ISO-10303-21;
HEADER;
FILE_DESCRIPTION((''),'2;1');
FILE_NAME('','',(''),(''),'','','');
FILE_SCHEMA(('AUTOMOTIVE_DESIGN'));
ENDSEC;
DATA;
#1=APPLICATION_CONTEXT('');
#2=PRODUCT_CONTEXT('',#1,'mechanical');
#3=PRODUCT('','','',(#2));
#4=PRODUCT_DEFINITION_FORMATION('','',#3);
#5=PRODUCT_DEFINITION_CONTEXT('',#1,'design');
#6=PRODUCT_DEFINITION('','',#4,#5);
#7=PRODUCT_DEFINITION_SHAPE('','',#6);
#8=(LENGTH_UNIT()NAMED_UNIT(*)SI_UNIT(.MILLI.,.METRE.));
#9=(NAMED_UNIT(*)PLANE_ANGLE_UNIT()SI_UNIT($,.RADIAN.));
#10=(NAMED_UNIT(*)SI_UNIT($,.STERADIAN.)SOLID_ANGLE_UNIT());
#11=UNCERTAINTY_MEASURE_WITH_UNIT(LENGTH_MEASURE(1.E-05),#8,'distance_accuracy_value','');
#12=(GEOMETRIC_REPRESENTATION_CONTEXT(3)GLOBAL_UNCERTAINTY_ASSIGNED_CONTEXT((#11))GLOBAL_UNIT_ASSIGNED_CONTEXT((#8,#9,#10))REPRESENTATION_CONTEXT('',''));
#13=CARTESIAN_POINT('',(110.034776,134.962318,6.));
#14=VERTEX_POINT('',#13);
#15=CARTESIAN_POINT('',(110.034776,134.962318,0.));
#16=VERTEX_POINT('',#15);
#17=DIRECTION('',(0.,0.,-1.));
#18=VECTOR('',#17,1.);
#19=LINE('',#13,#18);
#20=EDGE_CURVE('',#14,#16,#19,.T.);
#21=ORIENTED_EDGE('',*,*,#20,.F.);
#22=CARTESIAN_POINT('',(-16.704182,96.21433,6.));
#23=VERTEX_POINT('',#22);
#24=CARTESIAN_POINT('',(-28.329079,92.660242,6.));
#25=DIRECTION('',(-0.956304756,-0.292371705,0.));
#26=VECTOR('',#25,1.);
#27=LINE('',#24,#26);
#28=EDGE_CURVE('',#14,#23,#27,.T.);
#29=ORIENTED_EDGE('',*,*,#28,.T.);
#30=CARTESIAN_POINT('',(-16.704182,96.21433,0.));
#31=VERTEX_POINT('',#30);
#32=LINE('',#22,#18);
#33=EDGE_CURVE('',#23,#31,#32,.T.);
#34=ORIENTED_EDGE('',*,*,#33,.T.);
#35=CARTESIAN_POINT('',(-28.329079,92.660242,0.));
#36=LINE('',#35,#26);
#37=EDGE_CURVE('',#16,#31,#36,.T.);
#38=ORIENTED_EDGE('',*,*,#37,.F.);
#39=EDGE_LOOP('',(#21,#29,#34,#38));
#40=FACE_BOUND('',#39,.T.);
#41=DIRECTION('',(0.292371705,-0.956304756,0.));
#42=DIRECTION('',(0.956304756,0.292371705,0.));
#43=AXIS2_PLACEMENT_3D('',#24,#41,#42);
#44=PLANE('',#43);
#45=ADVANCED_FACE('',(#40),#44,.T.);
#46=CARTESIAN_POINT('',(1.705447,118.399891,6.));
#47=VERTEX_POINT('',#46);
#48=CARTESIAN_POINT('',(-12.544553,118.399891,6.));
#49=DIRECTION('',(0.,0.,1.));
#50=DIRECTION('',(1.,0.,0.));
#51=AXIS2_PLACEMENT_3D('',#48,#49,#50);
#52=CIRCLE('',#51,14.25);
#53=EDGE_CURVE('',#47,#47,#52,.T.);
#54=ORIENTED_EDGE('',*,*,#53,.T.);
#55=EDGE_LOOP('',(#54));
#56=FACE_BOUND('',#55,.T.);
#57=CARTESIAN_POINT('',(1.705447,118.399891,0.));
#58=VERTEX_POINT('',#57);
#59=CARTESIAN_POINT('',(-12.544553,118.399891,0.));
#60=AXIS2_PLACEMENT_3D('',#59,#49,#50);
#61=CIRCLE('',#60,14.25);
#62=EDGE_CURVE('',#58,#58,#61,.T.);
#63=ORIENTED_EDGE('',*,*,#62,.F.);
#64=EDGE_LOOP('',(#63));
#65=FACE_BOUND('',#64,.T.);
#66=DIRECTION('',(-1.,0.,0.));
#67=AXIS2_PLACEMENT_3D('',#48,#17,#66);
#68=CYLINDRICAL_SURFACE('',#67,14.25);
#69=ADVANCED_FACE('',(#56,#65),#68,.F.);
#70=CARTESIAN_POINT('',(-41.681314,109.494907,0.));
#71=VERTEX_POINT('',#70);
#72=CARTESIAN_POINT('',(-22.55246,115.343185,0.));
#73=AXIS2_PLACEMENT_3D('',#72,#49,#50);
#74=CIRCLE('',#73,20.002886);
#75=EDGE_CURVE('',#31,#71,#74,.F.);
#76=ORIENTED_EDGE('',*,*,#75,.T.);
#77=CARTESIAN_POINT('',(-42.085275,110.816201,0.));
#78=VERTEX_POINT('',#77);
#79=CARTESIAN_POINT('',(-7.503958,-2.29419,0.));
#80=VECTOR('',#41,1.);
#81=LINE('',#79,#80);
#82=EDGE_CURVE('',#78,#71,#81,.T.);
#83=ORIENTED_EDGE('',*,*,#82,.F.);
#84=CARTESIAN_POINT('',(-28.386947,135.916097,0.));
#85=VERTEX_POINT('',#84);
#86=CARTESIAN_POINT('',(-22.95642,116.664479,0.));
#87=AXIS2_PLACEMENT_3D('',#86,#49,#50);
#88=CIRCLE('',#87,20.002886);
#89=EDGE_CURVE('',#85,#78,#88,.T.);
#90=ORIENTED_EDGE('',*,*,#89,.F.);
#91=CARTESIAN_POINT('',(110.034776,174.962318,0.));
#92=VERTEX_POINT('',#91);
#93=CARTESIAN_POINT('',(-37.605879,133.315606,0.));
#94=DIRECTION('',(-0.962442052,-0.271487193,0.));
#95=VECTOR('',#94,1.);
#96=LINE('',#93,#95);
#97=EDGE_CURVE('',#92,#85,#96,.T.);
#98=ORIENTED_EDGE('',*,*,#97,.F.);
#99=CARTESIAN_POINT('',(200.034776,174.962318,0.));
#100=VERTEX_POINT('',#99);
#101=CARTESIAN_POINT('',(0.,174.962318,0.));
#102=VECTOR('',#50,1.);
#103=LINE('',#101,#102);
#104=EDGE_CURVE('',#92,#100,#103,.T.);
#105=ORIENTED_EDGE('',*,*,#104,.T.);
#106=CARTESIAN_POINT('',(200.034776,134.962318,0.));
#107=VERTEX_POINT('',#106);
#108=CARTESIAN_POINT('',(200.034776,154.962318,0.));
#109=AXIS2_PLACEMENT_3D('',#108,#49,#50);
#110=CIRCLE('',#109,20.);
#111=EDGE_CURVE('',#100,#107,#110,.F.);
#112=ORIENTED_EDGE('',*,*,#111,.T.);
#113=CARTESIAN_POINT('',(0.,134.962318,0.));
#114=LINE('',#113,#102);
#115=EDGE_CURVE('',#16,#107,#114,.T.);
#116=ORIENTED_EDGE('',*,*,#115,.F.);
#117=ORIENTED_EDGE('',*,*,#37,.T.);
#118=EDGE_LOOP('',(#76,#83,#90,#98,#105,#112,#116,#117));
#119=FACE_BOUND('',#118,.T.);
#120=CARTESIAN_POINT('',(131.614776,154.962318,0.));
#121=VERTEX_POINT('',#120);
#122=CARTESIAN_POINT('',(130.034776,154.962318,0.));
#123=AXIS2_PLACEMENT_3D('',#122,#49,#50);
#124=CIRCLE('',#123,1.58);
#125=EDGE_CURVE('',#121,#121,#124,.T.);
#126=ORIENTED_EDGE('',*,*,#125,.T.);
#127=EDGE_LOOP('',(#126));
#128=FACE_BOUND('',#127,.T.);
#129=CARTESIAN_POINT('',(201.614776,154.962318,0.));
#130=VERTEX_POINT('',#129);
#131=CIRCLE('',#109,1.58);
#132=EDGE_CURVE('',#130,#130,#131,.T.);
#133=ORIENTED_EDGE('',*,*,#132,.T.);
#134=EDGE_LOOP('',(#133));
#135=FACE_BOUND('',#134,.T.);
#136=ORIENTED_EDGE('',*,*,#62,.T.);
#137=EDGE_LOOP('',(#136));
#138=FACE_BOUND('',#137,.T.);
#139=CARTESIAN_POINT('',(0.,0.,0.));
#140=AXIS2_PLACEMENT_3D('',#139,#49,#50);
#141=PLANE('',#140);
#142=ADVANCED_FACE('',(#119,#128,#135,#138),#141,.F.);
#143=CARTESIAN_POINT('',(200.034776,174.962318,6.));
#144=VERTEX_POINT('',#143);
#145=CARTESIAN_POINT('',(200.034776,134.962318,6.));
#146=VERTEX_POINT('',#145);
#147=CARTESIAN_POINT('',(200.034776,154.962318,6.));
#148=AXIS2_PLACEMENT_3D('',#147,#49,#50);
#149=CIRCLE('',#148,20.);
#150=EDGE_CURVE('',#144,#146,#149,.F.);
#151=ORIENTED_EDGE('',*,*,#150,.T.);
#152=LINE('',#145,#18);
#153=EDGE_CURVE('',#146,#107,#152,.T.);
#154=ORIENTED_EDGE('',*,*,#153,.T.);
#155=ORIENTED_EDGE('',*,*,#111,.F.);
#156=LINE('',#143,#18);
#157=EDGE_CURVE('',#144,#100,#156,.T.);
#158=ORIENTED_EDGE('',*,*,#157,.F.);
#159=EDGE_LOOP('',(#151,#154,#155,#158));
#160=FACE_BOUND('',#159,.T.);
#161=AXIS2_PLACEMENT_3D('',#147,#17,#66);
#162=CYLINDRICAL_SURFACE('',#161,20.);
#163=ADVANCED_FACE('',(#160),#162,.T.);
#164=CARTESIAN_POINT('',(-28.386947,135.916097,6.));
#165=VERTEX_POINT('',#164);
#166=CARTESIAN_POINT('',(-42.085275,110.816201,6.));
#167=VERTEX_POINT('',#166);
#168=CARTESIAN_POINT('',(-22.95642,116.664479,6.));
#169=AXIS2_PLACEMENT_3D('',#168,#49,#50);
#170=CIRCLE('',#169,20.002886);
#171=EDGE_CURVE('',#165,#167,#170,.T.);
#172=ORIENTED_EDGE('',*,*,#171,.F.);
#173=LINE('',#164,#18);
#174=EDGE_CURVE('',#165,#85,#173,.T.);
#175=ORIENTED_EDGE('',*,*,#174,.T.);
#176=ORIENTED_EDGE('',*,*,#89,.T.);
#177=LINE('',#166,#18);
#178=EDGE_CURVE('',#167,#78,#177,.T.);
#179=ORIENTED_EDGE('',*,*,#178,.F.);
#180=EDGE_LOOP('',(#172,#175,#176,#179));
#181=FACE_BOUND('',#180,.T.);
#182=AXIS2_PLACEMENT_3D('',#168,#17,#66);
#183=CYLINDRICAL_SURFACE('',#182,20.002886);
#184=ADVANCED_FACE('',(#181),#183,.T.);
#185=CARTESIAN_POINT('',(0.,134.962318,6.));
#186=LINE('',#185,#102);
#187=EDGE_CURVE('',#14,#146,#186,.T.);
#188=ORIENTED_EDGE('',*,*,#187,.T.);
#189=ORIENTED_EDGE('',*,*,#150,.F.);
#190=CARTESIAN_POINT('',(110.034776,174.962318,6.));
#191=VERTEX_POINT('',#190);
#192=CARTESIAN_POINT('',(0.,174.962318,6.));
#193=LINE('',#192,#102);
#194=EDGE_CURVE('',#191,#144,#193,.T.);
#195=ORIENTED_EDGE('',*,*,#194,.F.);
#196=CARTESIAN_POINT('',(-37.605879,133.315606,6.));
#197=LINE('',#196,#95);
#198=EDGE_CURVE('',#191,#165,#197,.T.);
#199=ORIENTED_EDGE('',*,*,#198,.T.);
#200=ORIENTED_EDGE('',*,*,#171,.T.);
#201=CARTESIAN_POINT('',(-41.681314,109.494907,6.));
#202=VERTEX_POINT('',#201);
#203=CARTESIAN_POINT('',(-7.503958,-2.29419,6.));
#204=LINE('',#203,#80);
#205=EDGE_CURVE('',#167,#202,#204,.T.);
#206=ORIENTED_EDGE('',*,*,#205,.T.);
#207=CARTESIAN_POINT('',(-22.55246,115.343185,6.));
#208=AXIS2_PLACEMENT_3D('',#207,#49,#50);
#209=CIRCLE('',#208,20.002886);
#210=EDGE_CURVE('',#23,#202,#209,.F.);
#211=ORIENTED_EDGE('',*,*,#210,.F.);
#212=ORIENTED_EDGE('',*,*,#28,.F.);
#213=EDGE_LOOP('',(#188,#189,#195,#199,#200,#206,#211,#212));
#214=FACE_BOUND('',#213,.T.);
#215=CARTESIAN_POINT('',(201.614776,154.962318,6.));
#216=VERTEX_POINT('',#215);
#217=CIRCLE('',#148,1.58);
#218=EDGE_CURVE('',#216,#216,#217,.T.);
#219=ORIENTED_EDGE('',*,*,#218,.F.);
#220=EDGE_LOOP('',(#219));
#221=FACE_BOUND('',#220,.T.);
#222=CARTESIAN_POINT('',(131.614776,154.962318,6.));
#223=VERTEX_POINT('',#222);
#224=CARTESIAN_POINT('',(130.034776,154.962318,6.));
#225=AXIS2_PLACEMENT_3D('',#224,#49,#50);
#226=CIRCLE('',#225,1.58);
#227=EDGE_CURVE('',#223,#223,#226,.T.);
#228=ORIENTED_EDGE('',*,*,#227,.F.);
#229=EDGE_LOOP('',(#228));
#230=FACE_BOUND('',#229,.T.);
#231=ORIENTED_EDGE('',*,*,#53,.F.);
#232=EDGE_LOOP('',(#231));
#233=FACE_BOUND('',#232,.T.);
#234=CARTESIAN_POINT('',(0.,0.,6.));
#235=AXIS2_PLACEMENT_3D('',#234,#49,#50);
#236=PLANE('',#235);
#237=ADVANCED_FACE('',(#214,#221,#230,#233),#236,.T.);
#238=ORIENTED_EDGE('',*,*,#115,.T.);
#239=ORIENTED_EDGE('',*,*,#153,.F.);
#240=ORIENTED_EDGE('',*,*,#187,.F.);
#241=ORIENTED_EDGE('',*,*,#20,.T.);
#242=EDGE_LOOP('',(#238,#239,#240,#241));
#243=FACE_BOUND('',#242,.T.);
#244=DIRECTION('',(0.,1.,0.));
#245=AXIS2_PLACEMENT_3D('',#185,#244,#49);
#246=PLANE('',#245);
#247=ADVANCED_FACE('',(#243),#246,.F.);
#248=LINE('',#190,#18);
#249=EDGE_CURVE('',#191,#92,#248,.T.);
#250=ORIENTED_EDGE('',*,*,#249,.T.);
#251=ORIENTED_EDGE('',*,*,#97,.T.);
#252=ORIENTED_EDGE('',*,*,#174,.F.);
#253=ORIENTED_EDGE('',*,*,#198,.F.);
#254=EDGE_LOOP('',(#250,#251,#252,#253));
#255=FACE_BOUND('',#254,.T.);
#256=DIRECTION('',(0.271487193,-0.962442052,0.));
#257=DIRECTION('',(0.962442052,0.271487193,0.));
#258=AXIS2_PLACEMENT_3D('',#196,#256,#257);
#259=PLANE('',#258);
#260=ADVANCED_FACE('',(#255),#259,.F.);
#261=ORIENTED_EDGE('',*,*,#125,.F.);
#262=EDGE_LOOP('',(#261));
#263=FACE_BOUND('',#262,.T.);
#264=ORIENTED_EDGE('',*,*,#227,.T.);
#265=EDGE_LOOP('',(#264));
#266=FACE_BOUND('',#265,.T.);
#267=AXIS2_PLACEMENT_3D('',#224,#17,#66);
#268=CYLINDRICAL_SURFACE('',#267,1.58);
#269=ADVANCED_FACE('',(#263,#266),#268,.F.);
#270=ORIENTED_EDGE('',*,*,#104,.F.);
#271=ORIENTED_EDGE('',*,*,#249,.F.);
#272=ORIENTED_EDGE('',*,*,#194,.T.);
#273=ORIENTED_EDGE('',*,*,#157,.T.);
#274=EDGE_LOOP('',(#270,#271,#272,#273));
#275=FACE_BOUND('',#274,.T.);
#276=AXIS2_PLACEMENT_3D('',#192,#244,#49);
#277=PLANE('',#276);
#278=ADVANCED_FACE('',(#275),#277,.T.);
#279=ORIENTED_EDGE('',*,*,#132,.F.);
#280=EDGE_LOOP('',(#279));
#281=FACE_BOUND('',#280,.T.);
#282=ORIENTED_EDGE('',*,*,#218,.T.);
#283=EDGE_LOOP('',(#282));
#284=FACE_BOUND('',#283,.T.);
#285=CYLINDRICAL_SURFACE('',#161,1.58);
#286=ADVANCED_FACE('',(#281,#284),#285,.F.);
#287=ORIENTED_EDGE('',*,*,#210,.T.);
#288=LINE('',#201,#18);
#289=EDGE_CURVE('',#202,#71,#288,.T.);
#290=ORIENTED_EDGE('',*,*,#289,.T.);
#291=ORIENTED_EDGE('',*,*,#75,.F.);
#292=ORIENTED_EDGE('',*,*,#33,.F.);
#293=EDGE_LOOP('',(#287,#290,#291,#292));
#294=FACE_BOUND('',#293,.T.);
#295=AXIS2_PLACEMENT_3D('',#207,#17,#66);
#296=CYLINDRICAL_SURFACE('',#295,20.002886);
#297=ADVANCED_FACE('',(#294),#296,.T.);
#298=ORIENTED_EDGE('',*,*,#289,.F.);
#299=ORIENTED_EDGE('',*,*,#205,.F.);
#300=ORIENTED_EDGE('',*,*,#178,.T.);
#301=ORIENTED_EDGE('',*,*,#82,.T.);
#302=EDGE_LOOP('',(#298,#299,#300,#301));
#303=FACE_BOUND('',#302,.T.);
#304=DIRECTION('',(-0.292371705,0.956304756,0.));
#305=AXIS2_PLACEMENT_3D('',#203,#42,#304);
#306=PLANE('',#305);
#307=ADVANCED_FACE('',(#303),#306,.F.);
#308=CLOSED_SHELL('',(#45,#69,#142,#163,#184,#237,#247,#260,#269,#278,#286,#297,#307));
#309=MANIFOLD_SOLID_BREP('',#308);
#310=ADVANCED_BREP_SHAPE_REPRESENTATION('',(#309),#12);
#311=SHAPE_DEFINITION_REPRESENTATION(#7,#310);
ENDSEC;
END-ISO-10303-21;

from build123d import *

# Parameters (mm, degrees)
CROQUIS1_R              = 14.25
CROQUIS1_R_2            = 1.58
SALIENTE_EXTRUIR1_DEPTH = 6


with BuildPart() as part:
    # Croquis1 → Saliente-Extruir1 (new body)
    with BuildSketch(Plane.XY):
        with BuildLine():
            Line((110.034775737, 174.96231782), (-28.386947122, 135.91609695))
            ThreePointArc((-28.386947122, 135.91609695), (-40.514665945, 126.246932811), (-42.085274513, 110.816200885))
            Line((-42.085274513, 110.816200885), (-41.681314374, 109.494906807))
            ThreePointArc((-41.681314374, 109.494906807), (-31.943245693, 97.681684863), (-16.704181948, 96.21432992))
            Line((-16.704181948, 96.21432992), (110.034775737, 134.96231782))
            Line((110.034775737, 134.96231782), (200.034775737, 134.96231782))
            ThreePointArc((200.034775737, 134.96231782), (220.034775737, 154.96231782), (200.034775737, 174.96231782))
            Line((200.034775737, 174.96231782), (110.034775737, 174.96231782))
        make_face()
        with Locations((-12.544553236, 118.39989117)):
            Circle(CROQUIS1_R, mode=Mode.SUBTRACT)
        with Locations((200.034775737, 154.96231782)):
            Circle(CROQUIS1_R_2, mode=Mode.SUBTRACT)
        with Locations((130.034775737, 154.96231782)):
            Circle(CROQUIS1_R_2, mode=Mode.SUBTRACT)
    extrude(amount=SALIENTE_EXTRUIR1_DEPTH)


solid = part.part
